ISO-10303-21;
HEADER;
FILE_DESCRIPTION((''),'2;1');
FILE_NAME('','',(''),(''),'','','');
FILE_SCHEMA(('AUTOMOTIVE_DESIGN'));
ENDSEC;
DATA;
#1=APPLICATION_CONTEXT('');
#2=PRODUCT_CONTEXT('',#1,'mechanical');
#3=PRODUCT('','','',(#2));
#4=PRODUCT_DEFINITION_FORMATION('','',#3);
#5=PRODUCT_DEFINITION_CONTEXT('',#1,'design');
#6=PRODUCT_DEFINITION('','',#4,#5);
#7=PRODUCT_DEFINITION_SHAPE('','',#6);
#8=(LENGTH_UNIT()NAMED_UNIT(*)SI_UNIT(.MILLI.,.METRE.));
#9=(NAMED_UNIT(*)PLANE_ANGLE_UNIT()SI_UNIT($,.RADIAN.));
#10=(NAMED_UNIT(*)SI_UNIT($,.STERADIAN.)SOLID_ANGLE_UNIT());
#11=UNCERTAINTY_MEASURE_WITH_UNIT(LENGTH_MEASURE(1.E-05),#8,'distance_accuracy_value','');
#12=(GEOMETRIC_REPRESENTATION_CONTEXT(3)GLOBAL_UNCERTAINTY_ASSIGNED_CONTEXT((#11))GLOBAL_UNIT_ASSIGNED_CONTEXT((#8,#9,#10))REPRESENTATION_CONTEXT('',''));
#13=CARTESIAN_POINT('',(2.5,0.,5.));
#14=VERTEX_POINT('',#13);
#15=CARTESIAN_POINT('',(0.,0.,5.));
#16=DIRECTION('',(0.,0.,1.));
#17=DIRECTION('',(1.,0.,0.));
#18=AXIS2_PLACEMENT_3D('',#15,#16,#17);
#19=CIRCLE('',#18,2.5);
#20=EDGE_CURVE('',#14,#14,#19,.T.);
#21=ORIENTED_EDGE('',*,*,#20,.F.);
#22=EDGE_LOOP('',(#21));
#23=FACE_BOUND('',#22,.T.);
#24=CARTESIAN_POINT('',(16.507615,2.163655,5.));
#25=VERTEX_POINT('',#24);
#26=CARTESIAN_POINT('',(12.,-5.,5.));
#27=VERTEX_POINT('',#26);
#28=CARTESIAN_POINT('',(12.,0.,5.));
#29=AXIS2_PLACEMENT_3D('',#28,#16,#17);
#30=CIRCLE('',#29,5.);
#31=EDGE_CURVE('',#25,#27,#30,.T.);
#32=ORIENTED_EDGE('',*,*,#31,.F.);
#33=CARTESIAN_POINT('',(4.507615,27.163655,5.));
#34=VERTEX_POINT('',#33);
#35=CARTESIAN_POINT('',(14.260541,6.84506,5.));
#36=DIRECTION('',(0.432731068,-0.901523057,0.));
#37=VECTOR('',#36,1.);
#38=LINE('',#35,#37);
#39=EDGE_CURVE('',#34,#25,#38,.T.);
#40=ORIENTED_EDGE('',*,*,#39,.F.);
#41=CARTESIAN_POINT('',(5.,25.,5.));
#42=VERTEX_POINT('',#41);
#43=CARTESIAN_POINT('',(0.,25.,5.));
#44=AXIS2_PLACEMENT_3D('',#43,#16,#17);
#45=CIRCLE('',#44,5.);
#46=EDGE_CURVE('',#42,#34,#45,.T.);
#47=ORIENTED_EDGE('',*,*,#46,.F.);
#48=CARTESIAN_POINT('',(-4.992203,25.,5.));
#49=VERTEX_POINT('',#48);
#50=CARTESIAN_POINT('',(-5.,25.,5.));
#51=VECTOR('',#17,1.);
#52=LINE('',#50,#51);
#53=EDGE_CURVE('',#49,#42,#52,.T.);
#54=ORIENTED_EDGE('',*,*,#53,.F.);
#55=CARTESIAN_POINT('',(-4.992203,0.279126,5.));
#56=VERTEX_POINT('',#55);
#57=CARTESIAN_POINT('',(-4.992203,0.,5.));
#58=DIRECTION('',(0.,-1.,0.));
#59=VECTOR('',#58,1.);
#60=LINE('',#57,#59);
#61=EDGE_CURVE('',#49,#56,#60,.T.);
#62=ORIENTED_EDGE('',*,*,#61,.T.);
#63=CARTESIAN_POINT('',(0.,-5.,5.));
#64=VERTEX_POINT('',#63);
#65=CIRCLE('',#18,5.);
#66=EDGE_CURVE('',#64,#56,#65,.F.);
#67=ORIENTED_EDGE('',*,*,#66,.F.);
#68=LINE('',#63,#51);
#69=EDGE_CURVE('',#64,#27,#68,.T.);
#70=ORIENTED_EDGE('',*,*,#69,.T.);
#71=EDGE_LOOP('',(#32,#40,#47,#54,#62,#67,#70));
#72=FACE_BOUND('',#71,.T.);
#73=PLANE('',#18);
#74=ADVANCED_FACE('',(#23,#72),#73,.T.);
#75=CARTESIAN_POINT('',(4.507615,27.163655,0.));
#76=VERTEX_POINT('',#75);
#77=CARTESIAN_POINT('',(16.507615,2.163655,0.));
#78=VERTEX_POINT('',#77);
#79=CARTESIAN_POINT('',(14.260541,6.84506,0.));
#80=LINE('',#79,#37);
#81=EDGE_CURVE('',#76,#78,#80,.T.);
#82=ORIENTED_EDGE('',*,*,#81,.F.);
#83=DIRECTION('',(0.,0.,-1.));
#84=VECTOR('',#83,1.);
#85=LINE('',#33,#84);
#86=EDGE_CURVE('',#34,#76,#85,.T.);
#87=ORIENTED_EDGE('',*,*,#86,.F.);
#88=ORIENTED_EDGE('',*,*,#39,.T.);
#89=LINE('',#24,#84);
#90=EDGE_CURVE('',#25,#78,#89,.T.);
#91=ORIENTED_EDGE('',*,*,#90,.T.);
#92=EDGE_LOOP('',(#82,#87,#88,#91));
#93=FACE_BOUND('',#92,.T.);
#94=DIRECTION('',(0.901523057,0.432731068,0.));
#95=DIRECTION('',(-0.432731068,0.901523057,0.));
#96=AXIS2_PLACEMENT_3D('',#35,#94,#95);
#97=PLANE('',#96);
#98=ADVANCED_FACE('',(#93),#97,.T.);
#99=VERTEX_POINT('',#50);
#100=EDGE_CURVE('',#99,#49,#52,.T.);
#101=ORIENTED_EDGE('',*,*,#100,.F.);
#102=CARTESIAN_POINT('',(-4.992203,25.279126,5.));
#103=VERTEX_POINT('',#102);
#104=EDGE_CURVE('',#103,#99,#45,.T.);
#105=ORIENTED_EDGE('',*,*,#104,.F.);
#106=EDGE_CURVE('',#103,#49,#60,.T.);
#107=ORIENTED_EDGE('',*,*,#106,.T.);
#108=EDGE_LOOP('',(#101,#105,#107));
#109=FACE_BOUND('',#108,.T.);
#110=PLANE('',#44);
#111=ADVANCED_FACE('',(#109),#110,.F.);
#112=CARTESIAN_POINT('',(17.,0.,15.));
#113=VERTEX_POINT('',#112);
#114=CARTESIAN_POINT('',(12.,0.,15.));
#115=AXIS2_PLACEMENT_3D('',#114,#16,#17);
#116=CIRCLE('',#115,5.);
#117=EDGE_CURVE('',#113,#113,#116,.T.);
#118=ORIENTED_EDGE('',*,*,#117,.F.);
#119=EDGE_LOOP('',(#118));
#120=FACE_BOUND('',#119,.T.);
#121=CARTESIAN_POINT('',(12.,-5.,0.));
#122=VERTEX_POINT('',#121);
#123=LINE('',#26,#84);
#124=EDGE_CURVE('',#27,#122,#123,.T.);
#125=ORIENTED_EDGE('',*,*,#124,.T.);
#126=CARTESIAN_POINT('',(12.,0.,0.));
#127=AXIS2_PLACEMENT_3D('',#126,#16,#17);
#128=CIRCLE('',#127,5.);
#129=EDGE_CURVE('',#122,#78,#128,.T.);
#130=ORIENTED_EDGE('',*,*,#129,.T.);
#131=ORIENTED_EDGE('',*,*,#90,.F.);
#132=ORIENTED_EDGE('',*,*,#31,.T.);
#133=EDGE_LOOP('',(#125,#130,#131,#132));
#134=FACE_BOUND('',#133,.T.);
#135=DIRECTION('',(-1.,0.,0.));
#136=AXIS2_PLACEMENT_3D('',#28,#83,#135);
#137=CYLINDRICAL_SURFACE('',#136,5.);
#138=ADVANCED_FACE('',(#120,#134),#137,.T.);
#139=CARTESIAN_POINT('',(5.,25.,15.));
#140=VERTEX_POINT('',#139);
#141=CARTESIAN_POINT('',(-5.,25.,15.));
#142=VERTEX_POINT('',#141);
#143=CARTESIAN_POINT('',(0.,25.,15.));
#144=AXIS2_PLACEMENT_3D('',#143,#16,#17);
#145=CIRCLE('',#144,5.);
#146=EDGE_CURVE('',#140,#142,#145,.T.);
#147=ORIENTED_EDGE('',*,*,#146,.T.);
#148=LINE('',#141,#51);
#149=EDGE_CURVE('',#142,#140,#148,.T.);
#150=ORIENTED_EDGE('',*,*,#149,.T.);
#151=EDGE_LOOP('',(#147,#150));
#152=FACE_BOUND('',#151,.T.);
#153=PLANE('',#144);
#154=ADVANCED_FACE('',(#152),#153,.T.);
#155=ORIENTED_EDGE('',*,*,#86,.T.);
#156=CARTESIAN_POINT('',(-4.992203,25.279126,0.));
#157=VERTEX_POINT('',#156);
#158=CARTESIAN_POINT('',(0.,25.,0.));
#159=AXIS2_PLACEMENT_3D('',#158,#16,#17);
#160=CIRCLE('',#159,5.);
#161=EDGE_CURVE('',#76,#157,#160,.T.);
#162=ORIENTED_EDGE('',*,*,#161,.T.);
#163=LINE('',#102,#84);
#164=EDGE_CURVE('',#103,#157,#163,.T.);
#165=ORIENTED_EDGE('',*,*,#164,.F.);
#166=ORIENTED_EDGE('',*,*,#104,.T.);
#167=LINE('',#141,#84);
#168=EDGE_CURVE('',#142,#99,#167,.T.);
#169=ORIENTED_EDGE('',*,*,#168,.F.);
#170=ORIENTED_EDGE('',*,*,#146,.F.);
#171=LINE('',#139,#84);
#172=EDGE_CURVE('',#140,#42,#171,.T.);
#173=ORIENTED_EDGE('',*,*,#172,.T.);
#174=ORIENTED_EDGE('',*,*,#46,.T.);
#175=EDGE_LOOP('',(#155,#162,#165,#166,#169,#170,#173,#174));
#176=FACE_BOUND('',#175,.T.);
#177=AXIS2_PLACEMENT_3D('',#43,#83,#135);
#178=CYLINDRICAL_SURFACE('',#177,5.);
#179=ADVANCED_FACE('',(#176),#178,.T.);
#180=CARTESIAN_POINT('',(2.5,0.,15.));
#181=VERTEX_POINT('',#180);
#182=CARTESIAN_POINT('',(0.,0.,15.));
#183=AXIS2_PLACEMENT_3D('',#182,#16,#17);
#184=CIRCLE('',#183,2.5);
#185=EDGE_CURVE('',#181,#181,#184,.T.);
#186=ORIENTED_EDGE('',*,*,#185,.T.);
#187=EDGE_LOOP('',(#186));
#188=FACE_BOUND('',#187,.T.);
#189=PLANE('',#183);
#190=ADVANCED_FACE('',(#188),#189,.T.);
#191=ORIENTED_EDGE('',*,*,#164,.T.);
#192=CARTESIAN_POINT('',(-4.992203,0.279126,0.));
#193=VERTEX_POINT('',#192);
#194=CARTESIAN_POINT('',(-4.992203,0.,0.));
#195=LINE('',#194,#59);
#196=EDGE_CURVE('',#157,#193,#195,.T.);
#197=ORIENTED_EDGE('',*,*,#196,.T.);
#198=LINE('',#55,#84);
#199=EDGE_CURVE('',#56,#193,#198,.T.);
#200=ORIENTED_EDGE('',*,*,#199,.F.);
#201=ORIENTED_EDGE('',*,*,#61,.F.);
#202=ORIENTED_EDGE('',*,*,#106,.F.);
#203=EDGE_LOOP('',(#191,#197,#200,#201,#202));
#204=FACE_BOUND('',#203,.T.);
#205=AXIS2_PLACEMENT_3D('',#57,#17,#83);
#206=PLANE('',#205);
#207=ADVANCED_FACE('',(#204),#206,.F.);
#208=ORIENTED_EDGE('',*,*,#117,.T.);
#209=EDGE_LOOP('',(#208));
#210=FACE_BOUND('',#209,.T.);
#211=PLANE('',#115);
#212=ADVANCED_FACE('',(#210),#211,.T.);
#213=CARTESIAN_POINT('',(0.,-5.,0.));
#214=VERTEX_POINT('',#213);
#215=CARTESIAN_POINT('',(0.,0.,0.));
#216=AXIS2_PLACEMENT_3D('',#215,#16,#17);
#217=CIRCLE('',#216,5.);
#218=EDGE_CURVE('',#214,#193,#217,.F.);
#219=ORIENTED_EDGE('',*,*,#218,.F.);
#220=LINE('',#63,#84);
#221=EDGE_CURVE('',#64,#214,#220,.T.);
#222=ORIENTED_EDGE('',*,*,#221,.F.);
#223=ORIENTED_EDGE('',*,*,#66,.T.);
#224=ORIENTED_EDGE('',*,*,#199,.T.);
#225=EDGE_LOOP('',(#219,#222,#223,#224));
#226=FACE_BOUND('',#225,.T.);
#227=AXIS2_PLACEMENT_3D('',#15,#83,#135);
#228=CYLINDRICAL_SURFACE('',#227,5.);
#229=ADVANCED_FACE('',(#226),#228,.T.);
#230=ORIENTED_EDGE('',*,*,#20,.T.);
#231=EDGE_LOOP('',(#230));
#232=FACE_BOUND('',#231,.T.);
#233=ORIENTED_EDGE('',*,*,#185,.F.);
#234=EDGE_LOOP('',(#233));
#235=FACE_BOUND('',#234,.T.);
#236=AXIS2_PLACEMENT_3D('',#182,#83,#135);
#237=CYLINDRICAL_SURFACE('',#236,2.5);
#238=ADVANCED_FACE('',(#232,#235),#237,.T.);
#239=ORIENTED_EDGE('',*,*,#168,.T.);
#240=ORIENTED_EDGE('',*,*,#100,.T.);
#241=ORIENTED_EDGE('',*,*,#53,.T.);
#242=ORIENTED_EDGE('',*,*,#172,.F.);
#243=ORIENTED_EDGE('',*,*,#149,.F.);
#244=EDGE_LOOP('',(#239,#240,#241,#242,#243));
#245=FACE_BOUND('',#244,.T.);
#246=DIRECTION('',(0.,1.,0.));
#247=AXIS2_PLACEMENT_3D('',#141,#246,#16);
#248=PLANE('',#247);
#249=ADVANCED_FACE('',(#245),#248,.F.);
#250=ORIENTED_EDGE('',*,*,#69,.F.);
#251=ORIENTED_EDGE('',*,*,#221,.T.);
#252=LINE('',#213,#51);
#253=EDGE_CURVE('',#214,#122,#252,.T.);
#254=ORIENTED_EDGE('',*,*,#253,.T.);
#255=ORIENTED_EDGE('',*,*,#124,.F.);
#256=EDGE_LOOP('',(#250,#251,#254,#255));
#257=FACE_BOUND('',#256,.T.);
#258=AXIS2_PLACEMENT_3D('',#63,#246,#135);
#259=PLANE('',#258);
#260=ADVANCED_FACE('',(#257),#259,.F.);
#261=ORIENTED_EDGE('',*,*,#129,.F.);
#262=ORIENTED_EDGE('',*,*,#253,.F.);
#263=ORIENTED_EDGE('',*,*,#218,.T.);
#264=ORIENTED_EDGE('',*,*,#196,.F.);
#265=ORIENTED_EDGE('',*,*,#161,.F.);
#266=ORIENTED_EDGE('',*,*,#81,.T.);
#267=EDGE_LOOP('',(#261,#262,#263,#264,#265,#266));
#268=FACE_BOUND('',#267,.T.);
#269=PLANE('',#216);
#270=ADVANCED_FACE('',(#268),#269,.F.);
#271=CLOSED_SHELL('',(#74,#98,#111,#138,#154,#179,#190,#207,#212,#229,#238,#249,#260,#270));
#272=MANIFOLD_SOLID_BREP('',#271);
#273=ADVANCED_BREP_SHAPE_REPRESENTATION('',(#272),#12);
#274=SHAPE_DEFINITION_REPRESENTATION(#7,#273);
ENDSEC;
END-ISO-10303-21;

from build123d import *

# Parameters (mm, degrees)
SALIENTE_EXTRUIR1_DEPTH = 5
CROQUIS2_R              = 2.5
CROQUIS2_R_2            = 5
SALIENTE_EXTRUIR2_DEPTH = 10


with BuildPart() as part:
    # Croquis1 → Saliente-Extruir1 (new body)
    with BuildSketch(Plane.XY):
        with BuildLine():
            ThreePointArc((4.507615287, 27.163655338), (-0.972917939, 29.9044297), (-4.992202808, 25.279125636))
            Line((-4.992202808, 25.279125636), (-4.992202808, 24.720874364))
            Line((-4.992202808, 24.720874364), (-4.992202808, 0.279125636))
            ThreePointArc((-4.992202808, 0.279125636), (-3.632879586, -3.435430964), (0, -5))
            Line((0, -5), (12, -5))
            ThreePointArc((12, -5), (16.231918991, -2.662867187), (16.507615287, 2.163655338))
            Line((16.507615287, 2.163655338), (4.507615287, 27.163655338))
        make_face()
    extrude(amount=SALIENTE_EXTRUIR1_DEPTH)

    # Croquis2 → Saliente-Extruir2 (add)
    with BuildSketch(Plane.XY.offset(5)):
        Circle(CROQUIS2_R)
        with Locations(Location((12, 0, 0), (0, 0, 270))):
            Circle(CROQUIS2_R_2)
        with BuildLine():
            Line((-5, 25), (5, 25))
            ThreePointArc((5, 25), (0, 30), (-5, 25))
        make_face()
    extrude(amount=SALIENTE_EXTRUIR2_DEPTH)


solid = part.part
